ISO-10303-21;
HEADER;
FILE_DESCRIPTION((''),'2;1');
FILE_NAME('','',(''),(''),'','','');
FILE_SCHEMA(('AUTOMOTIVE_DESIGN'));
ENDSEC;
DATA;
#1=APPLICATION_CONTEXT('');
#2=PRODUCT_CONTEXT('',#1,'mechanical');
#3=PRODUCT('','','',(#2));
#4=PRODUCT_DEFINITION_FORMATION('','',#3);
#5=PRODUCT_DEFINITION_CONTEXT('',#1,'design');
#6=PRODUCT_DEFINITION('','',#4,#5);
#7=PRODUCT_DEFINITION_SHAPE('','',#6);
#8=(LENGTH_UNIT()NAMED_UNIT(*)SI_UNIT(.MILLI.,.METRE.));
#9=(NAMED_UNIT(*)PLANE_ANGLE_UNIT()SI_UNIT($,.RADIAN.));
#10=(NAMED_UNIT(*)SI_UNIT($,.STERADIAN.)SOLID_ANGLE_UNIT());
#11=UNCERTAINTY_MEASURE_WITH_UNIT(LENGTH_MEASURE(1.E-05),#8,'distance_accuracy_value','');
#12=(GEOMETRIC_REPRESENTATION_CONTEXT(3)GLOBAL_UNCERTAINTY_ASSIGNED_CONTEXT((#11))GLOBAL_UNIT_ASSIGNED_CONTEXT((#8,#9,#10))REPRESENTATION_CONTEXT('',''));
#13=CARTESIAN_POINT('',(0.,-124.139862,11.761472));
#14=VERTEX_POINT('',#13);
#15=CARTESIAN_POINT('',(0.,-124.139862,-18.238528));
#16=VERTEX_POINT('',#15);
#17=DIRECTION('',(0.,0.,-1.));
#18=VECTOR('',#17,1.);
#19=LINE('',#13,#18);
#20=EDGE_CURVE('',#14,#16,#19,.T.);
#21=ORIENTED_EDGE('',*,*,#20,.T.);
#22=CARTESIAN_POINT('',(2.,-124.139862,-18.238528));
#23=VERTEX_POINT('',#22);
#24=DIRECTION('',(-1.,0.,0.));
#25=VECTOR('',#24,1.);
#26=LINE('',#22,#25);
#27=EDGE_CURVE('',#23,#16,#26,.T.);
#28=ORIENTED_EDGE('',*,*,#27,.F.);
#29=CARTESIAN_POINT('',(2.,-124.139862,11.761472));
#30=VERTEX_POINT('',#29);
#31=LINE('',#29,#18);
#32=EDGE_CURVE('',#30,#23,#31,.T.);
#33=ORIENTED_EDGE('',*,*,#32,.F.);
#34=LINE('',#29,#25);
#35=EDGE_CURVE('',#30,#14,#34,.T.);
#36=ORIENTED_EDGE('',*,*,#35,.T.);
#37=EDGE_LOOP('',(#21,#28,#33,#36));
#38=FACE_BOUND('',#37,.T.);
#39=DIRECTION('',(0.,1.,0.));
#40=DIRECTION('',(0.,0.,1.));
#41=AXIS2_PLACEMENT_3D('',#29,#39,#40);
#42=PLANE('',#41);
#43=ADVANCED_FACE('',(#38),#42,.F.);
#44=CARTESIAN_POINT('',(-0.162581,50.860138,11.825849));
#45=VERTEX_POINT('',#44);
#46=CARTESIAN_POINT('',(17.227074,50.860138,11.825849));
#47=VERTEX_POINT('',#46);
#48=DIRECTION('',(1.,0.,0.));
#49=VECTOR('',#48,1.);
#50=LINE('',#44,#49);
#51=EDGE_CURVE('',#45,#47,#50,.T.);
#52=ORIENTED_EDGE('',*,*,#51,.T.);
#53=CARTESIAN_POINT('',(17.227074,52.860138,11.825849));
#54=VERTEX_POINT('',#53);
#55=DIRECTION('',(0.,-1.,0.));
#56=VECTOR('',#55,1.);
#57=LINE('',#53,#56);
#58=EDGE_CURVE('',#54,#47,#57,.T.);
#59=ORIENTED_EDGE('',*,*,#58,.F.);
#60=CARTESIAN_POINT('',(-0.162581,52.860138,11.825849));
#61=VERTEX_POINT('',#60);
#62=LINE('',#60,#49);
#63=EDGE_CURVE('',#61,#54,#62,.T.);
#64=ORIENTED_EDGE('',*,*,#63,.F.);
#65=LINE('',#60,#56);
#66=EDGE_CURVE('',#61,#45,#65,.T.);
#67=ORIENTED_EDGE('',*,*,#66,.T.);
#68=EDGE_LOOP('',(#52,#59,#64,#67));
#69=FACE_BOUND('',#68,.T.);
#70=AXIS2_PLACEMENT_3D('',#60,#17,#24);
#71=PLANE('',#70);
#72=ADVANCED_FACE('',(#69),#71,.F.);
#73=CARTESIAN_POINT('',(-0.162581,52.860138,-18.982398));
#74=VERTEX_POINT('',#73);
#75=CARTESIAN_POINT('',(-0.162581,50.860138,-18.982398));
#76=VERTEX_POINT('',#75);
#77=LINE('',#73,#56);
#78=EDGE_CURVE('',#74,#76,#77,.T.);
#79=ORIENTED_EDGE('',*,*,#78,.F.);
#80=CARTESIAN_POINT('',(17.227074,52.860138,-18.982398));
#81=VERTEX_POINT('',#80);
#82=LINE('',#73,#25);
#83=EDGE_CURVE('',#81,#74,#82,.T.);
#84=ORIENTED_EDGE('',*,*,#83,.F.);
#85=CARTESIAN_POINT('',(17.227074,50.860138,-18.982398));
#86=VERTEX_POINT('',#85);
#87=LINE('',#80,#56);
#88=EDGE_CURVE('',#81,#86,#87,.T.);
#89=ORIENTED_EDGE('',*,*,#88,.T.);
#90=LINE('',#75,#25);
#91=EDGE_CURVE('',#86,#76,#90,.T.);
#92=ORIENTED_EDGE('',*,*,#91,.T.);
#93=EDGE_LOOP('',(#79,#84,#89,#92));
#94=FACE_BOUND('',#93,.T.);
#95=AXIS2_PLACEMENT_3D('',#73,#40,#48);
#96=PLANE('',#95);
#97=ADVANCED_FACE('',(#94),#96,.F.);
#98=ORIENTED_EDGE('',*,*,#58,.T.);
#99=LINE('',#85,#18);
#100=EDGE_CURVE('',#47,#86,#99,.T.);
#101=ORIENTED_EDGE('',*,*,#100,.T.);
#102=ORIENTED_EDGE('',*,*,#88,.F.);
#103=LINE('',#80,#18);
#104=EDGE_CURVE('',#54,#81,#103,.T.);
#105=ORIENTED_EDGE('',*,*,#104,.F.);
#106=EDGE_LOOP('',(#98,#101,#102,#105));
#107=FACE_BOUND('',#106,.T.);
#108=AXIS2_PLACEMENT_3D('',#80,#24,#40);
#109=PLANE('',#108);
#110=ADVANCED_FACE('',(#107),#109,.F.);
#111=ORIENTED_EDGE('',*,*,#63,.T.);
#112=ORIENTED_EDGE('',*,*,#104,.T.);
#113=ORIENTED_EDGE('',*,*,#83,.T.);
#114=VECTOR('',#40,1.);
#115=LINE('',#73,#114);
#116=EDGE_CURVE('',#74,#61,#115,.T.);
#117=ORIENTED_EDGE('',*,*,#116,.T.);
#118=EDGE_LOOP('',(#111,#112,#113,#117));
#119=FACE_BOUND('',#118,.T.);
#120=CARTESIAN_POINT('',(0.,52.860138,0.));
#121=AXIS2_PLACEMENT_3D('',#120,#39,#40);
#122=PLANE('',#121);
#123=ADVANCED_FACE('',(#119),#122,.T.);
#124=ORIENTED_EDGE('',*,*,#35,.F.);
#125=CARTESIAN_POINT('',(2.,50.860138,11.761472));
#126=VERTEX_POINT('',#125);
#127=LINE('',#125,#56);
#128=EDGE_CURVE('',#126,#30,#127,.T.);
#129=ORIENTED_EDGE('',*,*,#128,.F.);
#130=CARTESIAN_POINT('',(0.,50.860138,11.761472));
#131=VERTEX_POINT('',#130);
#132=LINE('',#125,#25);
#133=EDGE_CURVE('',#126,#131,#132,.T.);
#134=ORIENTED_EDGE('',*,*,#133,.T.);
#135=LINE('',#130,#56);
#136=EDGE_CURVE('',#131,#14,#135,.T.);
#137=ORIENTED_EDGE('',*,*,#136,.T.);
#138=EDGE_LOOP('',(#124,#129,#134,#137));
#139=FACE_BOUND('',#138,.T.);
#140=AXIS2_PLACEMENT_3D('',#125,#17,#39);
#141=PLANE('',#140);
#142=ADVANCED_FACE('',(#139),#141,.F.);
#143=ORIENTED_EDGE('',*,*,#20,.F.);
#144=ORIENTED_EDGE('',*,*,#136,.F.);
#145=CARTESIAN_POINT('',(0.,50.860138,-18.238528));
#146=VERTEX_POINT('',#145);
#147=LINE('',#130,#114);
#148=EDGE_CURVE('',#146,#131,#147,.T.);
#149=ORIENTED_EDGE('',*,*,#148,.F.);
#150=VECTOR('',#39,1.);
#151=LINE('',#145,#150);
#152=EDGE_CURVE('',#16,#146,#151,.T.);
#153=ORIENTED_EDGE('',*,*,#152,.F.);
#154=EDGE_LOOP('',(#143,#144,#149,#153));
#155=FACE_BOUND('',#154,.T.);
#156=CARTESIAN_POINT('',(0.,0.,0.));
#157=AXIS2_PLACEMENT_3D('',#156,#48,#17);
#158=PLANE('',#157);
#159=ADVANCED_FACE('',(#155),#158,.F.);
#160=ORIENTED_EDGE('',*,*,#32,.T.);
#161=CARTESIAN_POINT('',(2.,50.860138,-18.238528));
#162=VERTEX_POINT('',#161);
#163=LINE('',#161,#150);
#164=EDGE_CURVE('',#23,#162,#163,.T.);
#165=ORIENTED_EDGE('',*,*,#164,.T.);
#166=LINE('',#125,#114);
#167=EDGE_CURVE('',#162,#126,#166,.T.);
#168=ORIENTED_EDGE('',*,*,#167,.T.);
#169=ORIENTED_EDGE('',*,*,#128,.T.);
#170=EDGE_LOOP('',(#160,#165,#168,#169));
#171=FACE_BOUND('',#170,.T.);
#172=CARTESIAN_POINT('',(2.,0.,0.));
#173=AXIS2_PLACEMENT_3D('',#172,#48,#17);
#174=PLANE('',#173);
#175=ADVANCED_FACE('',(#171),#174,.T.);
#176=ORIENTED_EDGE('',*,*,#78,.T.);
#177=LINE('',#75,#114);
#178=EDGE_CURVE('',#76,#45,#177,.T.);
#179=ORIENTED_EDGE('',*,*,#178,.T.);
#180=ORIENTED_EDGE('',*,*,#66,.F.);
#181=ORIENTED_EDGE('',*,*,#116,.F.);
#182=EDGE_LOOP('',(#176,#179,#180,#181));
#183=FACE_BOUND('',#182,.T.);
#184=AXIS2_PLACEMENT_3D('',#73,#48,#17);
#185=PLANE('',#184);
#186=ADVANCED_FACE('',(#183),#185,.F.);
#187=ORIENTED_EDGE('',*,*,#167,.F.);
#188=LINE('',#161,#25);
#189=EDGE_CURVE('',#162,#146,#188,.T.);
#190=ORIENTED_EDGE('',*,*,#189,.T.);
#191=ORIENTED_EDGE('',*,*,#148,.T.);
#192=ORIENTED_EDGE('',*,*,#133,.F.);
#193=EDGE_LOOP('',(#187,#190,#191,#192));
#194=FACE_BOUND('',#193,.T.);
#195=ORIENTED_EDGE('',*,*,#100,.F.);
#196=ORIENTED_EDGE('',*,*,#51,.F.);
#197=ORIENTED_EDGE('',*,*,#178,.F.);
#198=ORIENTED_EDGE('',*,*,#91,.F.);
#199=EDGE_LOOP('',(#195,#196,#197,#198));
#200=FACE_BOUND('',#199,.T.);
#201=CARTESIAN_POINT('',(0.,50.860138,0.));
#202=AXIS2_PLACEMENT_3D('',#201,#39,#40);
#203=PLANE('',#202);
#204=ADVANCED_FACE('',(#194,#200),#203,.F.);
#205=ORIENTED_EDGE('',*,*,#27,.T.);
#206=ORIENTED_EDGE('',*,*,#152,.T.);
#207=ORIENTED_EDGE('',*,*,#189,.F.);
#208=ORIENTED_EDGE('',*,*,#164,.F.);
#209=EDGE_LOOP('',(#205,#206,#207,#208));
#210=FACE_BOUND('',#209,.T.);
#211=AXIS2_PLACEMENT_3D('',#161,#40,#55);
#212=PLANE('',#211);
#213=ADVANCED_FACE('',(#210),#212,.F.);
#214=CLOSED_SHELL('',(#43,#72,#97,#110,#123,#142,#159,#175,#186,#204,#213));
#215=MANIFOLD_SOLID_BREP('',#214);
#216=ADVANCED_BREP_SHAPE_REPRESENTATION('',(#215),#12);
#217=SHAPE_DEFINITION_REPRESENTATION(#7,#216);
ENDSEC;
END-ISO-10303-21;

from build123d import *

# Parameters (mm, degrees)
SKETCH1_W           = 30
SKETCH1_H           = 175
BOSS_EXTRUDE1_DEPTH = 2
SKETCH2_W           = 17.389654657
SKETCH2_H           = 30.808247404
BOSS_EXTRUDE3_DEPTH = 2


with BuildPart() as part:
    # Sketch1 → Boss-Extrude1 (new body)
    with BuildSketch(Plane(origin=(0, 0, 0), x_dir=(0, 0, -1), z_dir=(1, 0, 0))):
        with Locations((3.238527887, -36.639862439)):
            Rectangle(SKETCH1_W, SKETCH1_H)
    extrude(amount=BOSS_EXTRUDE1_DEPTH)

    # Sketch2 → Boss-Extrude3 (add)
    with BuildSketch(Plane(origin=(0, 50.860137561, 0), x_dir=(1, 0, 0), z_dir=(0, 1, 0))):
        with Locations((8.532246384, 3.578274216)):
            Rectangle(SKETCH2_W, SKETCH2_H)
    extrude(amount=BOSS_EXTRUDE3_DEPTH)


solid = part.part
